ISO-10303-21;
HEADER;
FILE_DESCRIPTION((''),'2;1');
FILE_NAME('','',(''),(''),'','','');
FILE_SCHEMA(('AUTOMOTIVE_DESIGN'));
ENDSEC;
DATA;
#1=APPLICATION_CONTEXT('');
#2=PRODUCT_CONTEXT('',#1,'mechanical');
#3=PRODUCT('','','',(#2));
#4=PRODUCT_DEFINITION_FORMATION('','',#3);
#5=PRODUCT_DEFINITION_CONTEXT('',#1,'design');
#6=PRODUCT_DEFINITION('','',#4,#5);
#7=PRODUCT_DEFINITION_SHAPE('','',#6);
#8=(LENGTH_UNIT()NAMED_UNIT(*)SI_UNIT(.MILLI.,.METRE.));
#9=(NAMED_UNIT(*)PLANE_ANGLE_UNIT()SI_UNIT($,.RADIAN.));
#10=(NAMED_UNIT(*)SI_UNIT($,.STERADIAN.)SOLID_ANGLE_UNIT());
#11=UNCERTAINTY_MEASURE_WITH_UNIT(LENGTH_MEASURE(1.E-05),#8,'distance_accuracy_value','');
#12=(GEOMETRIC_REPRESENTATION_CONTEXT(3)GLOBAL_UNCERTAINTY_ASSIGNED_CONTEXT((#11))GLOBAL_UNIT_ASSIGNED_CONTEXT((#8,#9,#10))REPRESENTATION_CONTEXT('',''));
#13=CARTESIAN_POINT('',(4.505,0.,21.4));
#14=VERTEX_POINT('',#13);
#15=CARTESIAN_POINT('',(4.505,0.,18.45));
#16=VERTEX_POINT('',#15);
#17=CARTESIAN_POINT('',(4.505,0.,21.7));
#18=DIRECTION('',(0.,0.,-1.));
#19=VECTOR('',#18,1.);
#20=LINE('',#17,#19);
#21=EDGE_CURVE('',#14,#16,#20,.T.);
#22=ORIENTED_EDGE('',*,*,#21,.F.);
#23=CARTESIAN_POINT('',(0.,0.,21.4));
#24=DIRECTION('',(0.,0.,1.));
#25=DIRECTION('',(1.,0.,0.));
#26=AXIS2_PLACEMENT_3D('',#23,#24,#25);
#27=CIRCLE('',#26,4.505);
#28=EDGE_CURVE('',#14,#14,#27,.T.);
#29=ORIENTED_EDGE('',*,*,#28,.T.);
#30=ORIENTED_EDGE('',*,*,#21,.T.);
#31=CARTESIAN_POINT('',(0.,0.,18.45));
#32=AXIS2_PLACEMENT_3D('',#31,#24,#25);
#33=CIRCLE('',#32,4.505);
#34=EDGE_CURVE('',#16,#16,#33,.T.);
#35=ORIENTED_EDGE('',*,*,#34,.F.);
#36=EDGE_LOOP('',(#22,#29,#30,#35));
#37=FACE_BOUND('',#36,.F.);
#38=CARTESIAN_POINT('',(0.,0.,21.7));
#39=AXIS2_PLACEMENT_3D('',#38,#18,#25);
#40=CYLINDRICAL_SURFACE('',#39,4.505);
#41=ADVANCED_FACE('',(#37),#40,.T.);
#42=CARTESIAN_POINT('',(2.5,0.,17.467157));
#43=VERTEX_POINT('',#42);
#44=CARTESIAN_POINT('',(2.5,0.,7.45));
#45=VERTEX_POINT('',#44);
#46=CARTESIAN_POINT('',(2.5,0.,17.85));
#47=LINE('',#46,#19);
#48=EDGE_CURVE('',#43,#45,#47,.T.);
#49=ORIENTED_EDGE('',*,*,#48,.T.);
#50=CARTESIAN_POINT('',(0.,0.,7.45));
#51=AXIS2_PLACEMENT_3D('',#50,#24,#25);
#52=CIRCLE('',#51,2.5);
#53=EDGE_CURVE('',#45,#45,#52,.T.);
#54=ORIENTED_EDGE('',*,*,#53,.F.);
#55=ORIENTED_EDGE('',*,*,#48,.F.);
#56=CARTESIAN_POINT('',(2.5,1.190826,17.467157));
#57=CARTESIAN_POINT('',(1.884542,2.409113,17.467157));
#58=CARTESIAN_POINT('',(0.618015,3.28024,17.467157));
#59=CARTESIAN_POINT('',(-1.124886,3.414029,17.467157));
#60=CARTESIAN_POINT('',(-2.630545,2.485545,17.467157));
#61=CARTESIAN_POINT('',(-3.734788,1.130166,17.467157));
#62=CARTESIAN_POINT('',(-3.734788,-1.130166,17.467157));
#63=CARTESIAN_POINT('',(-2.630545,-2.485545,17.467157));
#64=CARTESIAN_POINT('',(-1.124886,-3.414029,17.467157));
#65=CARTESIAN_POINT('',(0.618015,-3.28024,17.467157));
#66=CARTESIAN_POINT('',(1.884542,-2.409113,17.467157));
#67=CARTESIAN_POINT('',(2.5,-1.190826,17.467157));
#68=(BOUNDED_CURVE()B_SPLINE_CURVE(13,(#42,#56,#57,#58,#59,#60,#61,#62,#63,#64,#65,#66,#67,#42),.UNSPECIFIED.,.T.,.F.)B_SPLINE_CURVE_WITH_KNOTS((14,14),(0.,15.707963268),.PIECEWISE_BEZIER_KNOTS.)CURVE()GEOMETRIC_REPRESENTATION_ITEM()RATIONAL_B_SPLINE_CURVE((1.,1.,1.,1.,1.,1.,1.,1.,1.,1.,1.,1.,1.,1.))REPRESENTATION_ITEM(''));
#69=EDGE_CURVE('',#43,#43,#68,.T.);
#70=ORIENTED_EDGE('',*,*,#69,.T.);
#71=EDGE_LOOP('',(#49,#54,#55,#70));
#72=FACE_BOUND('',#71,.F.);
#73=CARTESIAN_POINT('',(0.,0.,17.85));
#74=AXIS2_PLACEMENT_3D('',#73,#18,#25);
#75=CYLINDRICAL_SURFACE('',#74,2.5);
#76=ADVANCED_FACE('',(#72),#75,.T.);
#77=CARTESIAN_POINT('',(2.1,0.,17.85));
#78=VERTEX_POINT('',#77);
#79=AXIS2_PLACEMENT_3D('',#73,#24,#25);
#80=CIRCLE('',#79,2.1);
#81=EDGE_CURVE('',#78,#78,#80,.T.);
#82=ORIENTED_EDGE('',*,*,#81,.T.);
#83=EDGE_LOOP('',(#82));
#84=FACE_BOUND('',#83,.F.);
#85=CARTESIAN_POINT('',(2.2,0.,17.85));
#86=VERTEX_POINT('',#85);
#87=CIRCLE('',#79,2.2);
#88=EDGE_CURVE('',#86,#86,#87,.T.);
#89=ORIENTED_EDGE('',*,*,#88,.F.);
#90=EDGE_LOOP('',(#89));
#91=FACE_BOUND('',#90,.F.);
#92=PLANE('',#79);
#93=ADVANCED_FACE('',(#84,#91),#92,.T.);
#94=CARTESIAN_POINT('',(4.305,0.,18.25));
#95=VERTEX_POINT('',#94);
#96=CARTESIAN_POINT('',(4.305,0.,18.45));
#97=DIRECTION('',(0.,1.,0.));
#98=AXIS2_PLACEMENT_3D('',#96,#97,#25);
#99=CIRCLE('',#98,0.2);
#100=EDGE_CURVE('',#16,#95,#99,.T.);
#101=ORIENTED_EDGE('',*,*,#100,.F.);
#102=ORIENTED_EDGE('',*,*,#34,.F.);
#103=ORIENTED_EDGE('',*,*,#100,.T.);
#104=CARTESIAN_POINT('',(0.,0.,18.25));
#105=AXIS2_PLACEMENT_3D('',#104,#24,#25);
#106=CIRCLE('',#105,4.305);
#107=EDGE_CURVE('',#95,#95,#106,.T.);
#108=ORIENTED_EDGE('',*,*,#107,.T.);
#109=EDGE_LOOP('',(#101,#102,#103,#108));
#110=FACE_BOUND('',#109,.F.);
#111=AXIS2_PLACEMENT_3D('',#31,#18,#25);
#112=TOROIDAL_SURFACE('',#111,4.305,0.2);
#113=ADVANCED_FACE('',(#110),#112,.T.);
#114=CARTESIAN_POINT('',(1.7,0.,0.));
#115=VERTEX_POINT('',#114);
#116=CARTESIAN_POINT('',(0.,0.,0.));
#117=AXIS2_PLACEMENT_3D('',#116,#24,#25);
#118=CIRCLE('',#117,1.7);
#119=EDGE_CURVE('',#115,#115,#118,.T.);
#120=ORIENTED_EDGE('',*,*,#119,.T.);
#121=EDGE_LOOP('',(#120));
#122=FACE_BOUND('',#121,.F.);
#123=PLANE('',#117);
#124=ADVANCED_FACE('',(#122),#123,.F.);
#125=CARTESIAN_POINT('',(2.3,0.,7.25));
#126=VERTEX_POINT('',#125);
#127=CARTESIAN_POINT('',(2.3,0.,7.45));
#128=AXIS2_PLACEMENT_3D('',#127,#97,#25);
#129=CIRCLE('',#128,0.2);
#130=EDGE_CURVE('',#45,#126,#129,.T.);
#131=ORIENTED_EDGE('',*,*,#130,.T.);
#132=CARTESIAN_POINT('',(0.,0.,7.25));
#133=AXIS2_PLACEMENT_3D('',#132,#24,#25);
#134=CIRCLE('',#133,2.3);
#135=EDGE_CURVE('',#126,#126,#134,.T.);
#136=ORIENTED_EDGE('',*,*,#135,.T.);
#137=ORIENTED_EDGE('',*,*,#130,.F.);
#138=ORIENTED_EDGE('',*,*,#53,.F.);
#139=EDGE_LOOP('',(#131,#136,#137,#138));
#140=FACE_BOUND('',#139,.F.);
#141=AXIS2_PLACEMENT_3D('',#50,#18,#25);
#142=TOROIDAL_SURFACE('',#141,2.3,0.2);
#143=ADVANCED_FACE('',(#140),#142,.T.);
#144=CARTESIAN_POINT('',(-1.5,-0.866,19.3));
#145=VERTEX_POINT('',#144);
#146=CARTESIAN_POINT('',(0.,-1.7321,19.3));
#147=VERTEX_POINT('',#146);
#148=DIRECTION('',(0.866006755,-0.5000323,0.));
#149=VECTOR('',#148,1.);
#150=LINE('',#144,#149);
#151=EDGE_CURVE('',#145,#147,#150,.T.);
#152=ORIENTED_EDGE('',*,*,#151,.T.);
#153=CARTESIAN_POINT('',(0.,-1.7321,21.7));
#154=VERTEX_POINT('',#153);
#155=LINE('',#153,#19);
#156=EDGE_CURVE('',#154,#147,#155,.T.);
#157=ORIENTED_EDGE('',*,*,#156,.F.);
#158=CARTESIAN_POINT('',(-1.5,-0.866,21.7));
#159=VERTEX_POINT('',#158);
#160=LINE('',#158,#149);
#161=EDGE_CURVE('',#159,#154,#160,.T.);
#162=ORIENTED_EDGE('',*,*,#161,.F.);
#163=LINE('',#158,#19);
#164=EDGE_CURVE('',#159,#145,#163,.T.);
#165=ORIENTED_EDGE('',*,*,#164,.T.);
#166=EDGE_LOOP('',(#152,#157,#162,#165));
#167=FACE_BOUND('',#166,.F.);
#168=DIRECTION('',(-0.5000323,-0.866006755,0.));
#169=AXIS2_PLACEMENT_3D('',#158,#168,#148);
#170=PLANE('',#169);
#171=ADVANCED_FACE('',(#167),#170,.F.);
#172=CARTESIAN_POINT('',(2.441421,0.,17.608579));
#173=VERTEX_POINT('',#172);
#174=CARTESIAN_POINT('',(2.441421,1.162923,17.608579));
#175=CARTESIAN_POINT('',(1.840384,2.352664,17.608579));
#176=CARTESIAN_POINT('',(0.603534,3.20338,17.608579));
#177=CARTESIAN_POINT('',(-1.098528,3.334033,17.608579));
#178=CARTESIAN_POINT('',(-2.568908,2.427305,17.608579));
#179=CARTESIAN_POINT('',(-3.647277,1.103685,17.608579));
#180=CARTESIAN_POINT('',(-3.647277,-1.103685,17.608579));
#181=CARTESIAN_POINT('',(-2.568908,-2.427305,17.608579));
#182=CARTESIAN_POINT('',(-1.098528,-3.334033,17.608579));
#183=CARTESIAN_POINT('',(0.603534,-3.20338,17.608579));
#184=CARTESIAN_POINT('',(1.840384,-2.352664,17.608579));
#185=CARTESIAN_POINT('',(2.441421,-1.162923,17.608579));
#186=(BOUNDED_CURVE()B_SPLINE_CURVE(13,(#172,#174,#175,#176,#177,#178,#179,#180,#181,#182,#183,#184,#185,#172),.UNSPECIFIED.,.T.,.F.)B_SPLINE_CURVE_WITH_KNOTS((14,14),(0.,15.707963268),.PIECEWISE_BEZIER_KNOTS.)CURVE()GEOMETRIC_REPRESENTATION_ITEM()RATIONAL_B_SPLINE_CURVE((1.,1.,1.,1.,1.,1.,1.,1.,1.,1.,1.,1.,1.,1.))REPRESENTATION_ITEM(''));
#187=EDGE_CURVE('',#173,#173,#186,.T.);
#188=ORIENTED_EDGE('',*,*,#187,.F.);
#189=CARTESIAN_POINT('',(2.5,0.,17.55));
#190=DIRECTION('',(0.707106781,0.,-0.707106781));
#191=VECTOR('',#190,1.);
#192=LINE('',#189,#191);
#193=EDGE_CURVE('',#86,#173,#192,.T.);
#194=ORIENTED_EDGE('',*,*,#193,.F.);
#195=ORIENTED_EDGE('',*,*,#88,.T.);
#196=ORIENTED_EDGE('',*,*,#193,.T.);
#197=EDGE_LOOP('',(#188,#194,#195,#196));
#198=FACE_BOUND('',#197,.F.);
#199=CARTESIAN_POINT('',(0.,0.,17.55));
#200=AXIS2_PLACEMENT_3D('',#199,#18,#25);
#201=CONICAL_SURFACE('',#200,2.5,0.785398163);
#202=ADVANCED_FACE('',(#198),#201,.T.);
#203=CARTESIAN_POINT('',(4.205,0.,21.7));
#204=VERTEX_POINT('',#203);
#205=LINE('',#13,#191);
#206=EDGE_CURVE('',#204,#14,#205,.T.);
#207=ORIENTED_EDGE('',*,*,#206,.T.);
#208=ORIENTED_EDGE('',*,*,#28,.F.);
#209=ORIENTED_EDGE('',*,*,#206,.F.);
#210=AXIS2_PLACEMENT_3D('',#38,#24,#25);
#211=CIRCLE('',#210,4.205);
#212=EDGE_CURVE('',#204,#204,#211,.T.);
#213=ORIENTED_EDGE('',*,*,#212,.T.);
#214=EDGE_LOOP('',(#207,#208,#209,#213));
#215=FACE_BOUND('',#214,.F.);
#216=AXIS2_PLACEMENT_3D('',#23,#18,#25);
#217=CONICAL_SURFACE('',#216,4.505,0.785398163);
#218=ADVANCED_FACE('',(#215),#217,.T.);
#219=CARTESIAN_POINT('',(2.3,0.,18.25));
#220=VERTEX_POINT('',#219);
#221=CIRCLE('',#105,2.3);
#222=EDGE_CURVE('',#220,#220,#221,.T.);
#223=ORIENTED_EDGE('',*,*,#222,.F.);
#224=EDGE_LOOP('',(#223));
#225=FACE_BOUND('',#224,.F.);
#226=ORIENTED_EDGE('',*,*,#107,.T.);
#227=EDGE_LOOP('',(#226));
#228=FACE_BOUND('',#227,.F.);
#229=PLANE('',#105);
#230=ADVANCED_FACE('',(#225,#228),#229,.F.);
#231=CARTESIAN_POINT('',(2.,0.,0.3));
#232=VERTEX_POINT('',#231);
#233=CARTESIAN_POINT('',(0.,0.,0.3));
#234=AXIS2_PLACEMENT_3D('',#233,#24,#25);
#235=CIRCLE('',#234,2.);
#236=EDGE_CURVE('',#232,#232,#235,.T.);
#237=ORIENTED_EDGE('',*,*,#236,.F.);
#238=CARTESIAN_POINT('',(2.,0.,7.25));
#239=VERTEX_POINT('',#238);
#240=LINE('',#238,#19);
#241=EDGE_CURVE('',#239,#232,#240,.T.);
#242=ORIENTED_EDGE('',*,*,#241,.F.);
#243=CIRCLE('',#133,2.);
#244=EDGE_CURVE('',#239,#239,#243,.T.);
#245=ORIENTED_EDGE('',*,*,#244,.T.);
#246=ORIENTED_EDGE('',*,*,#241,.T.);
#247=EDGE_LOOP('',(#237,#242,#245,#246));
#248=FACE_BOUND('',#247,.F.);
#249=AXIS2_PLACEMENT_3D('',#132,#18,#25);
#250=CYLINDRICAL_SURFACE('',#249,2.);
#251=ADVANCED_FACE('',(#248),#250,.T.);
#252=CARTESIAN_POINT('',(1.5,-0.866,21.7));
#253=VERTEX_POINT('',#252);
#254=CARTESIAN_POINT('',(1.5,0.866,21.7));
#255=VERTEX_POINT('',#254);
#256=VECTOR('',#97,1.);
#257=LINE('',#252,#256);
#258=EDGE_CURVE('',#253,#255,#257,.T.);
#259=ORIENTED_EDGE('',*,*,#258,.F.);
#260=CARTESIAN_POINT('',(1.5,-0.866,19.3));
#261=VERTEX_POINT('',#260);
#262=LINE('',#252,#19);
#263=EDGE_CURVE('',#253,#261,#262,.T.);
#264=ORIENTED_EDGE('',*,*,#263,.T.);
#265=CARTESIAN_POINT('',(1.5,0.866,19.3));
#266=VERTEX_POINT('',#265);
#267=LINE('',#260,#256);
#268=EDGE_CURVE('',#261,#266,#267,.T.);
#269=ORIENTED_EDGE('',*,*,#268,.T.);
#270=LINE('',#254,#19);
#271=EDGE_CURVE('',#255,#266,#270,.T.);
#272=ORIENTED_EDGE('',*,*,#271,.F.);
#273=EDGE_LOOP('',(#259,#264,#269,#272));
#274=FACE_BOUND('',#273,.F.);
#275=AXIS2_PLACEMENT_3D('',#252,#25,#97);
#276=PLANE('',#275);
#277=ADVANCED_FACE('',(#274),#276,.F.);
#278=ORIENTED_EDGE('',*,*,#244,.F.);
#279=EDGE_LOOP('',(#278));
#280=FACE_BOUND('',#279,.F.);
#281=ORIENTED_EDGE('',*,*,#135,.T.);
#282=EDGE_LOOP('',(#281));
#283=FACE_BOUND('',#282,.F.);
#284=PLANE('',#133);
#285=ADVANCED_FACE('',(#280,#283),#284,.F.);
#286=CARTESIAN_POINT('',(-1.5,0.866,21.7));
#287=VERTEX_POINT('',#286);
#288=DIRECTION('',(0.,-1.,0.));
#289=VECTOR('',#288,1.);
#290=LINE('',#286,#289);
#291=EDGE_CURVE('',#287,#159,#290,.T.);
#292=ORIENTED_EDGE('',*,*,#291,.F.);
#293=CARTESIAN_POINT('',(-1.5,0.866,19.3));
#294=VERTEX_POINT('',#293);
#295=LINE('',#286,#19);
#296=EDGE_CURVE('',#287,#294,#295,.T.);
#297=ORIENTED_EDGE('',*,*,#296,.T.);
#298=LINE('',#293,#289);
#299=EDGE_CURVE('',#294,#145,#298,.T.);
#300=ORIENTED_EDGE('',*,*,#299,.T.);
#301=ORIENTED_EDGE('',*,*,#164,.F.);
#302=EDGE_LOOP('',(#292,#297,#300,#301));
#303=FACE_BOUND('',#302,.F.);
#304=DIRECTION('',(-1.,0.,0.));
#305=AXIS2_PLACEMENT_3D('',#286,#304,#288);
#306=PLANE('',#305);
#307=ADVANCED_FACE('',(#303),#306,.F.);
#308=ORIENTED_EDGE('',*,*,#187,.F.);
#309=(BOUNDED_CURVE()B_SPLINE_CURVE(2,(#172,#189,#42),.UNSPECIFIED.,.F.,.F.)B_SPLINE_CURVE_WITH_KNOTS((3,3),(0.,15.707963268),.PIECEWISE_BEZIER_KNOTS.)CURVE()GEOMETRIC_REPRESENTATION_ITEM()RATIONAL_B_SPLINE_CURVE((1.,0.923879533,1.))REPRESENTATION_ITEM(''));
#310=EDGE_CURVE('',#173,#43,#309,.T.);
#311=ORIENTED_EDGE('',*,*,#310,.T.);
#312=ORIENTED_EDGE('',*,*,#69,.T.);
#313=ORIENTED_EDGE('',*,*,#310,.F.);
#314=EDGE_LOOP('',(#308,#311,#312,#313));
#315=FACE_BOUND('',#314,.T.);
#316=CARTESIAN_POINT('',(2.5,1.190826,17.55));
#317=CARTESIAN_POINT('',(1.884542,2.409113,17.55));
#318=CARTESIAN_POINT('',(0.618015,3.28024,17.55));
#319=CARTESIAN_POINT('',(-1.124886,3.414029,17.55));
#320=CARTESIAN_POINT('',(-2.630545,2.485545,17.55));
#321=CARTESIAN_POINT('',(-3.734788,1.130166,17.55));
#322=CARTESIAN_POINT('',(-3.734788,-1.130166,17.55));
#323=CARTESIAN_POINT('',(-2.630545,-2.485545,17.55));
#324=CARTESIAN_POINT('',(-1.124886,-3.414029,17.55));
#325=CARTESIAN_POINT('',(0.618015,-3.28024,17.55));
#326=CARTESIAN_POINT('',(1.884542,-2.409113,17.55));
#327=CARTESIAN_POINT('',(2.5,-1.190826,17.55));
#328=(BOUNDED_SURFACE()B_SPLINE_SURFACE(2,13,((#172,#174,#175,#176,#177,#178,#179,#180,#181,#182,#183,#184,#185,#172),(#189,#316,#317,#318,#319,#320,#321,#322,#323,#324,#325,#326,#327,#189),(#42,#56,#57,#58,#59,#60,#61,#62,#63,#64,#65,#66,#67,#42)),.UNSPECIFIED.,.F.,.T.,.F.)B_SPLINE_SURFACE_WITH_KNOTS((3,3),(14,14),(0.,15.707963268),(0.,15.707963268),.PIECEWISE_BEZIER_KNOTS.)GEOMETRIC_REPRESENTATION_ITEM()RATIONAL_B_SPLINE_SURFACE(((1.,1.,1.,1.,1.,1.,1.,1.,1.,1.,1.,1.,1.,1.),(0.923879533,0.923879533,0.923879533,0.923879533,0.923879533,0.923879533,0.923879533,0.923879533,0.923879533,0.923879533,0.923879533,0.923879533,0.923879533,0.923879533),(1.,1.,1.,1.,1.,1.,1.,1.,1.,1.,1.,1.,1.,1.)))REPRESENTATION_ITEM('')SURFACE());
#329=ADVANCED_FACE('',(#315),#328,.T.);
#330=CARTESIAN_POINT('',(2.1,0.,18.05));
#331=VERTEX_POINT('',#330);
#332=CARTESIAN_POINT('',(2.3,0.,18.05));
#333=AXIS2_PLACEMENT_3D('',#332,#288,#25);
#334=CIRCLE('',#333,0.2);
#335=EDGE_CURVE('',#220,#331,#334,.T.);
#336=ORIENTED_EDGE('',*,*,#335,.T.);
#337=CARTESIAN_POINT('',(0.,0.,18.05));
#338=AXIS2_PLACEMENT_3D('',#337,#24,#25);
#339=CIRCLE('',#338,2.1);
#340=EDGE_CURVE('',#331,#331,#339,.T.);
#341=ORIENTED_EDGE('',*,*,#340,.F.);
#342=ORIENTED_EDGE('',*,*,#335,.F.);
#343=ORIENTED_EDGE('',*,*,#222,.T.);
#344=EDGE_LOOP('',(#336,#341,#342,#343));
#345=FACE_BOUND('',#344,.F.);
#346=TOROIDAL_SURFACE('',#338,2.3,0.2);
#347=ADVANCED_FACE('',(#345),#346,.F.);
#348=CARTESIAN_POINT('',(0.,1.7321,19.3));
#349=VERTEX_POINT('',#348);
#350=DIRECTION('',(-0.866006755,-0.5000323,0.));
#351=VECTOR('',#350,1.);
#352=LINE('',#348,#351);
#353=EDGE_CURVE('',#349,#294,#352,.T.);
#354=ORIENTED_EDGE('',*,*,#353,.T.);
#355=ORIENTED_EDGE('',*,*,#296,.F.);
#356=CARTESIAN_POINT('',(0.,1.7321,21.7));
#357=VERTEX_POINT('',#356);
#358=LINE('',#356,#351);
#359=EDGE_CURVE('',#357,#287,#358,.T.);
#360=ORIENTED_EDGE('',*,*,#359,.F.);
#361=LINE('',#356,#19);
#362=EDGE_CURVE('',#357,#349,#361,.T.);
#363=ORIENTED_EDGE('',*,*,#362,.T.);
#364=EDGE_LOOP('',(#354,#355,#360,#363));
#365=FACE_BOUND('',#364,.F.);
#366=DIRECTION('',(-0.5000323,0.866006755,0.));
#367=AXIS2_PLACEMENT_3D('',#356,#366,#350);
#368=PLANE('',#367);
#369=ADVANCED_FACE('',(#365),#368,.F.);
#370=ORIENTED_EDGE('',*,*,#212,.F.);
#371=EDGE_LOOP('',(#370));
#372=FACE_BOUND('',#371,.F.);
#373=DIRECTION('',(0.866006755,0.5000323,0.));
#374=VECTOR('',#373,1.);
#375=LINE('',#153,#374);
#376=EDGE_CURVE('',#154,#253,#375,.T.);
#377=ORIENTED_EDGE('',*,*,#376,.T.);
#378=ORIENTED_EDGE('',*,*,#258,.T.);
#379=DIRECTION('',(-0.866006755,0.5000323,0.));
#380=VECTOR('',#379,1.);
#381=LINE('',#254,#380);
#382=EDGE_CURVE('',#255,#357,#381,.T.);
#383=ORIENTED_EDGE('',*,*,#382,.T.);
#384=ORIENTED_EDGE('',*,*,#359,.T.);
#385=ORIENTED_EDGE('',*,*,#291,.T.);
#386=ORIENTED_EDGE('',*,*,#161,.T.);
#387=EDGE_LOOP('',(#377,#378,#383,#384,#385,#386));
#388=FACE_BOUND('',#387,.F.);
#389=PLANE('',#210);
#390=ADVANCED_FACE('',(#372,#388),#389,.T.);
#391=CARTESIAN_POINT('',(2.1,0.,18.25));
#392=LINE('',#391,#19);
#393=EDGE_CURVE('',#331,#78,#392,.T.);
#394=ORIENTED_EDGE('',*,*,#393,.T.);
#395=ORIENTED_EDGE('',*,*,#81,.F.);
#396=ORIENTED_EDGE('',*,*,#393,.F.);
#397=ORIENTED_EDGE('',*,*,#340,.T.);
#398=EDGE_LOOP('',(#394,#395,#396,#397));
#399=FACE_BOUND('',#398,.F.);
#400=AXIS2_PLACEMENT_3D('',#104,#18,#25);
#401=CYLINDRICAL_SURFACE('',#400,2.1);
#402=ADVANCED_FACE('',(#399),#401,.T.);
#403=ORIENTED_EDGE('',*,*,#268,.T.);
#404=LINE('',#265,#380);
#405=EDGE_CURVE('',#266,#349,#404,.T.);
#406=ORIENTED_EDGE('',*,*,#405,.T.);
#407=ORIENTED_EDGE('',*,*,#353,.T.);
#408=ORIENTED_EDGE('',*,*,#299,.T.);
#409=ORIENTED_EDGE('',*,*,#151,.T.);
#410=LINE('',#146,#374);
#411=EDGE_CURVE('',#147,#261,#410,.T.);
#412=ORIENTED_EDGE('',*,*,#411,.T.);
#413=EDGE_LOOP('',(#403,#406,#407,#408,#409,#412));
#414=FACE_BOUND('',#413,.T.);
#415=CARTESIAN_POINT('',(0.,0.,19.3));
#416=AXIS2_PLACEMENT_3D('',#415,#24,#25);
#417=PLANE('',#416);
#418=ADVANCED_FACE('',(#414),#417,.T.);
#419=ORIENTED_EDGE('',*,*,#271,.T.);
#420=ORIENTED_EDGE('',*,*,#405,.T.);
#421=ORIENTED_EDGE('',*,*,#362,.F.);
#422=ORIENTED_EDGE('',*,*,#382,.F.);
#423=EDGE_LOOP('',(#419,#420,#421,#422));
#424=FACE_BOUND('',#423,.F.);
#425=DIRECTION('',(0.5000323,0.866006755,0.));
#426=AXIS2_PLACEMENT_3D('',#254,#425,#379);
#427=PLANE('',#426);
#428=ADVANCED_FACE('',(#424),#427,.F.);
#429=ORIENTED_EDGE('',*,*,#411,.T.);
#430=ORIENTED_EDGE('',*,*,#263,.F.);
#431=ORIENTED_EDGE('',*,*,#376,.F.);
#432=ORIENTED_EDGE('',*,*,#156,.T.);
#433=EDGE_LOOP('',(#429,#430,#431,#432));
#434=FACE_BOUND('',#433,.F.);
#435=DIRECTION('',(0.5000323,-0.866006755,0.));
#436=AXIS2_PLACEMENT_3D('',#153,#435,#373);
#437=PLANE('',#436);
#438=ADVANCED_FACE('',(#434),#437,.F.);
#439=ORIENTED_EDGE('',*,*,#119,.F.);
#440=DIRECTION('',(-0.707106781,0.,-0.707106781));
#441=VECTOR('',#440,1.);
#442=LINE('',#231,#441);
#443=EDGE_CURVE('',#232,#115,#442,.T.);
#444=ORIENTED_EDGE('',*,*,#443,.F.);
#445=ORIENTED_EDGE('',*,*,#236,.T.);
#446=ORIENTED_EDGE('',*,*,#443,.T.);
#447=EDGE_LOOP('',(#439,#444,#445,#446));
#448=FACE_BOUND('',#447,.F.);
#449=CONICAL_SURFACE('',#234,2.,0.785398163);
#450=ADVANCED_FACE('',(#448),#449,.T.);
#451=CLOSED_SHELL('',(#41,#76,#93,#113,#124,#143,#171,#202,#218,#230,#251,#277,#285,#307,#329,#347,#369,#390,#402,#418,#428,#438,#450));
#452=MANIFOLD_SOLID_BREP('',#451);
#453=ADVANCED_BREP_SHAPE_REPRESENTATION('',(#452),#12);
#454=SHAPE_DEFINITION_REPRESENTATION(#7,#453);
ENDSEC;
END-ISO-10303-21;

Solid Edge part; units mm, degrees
sketch "Sketch1" plane through (0, 0, 0) normal (0, -1, 0) x (1, 0, 0)
  line L0 (0, 21.7) -> (4.505, 21.7)
  line L1 (4.505, 21.7) -> (4.505, 18.25)
  line L2 (4.505, 18.25) -> (2.1, 18.25)
  line L3 (2.1, 18.25) -> (2.1, 17.85)
  line L4 (2.1, 17.85) -> (2.5, 17.85)
  line L5 (2.5, 17.85) -> (2.5, 7.25)
  line L6 (2.5, 7.25) -> (2, 7.25)
  line L7 (2, 7.25) -> (2, 0)
  line L8 (2, 0) -> (0, 0)
  dimension "D1" = 4.505
  dimension "D2" = 3.45
  dimension "D3" = 11
  dimension "D4" = 0.4
  dimension "D5" = 7.25
  dimension "D6" = 2.5
  dimension "D7" = 2
revolve "RevolvedProtrusion1" add sketch "Sketch1" angle 360 about axis through (0, 0, 0) along (0, 0, 1)
chamfer "Chamfer1" distance 0.3 angle 45 3 edges at (-2.5, 0, 17.85) (-4.505, 0, 21.7) (-2, 0, 0)
fillet "Round_1" radius 0.2 4 edges at (-4.505, 0, 18.25) (-2.1, 0, 18.25) (-2.5, 0, 7.25) (-2.5, 0, 17.55)
sketch "Sketch2" plane through (0, 0, 21.7) normal (0, 0, 1) x (1, 0, 0)
  line L0 (1.5, 0.866) -> (0, 1.7321)
  line L1 (0, 1.7321) -> (-1.5, 0.866)
  line L2 (-1.5, 0.866) -> (-1.5, -0.866)
  line L3 (-1.5, -0.866) -> (0, -1.7321)
  line L4 (0, -1.7321) -> (1.5, -0.866)
  line L5 (1.5, -0.866) -> (1.5, 0.866)
  dimension "D1" = 3
extrude "ExtrudedCutout_1" cut sketch "Sketch2" against normal blind 2.4
properties material "Stainless Steel, 304"
